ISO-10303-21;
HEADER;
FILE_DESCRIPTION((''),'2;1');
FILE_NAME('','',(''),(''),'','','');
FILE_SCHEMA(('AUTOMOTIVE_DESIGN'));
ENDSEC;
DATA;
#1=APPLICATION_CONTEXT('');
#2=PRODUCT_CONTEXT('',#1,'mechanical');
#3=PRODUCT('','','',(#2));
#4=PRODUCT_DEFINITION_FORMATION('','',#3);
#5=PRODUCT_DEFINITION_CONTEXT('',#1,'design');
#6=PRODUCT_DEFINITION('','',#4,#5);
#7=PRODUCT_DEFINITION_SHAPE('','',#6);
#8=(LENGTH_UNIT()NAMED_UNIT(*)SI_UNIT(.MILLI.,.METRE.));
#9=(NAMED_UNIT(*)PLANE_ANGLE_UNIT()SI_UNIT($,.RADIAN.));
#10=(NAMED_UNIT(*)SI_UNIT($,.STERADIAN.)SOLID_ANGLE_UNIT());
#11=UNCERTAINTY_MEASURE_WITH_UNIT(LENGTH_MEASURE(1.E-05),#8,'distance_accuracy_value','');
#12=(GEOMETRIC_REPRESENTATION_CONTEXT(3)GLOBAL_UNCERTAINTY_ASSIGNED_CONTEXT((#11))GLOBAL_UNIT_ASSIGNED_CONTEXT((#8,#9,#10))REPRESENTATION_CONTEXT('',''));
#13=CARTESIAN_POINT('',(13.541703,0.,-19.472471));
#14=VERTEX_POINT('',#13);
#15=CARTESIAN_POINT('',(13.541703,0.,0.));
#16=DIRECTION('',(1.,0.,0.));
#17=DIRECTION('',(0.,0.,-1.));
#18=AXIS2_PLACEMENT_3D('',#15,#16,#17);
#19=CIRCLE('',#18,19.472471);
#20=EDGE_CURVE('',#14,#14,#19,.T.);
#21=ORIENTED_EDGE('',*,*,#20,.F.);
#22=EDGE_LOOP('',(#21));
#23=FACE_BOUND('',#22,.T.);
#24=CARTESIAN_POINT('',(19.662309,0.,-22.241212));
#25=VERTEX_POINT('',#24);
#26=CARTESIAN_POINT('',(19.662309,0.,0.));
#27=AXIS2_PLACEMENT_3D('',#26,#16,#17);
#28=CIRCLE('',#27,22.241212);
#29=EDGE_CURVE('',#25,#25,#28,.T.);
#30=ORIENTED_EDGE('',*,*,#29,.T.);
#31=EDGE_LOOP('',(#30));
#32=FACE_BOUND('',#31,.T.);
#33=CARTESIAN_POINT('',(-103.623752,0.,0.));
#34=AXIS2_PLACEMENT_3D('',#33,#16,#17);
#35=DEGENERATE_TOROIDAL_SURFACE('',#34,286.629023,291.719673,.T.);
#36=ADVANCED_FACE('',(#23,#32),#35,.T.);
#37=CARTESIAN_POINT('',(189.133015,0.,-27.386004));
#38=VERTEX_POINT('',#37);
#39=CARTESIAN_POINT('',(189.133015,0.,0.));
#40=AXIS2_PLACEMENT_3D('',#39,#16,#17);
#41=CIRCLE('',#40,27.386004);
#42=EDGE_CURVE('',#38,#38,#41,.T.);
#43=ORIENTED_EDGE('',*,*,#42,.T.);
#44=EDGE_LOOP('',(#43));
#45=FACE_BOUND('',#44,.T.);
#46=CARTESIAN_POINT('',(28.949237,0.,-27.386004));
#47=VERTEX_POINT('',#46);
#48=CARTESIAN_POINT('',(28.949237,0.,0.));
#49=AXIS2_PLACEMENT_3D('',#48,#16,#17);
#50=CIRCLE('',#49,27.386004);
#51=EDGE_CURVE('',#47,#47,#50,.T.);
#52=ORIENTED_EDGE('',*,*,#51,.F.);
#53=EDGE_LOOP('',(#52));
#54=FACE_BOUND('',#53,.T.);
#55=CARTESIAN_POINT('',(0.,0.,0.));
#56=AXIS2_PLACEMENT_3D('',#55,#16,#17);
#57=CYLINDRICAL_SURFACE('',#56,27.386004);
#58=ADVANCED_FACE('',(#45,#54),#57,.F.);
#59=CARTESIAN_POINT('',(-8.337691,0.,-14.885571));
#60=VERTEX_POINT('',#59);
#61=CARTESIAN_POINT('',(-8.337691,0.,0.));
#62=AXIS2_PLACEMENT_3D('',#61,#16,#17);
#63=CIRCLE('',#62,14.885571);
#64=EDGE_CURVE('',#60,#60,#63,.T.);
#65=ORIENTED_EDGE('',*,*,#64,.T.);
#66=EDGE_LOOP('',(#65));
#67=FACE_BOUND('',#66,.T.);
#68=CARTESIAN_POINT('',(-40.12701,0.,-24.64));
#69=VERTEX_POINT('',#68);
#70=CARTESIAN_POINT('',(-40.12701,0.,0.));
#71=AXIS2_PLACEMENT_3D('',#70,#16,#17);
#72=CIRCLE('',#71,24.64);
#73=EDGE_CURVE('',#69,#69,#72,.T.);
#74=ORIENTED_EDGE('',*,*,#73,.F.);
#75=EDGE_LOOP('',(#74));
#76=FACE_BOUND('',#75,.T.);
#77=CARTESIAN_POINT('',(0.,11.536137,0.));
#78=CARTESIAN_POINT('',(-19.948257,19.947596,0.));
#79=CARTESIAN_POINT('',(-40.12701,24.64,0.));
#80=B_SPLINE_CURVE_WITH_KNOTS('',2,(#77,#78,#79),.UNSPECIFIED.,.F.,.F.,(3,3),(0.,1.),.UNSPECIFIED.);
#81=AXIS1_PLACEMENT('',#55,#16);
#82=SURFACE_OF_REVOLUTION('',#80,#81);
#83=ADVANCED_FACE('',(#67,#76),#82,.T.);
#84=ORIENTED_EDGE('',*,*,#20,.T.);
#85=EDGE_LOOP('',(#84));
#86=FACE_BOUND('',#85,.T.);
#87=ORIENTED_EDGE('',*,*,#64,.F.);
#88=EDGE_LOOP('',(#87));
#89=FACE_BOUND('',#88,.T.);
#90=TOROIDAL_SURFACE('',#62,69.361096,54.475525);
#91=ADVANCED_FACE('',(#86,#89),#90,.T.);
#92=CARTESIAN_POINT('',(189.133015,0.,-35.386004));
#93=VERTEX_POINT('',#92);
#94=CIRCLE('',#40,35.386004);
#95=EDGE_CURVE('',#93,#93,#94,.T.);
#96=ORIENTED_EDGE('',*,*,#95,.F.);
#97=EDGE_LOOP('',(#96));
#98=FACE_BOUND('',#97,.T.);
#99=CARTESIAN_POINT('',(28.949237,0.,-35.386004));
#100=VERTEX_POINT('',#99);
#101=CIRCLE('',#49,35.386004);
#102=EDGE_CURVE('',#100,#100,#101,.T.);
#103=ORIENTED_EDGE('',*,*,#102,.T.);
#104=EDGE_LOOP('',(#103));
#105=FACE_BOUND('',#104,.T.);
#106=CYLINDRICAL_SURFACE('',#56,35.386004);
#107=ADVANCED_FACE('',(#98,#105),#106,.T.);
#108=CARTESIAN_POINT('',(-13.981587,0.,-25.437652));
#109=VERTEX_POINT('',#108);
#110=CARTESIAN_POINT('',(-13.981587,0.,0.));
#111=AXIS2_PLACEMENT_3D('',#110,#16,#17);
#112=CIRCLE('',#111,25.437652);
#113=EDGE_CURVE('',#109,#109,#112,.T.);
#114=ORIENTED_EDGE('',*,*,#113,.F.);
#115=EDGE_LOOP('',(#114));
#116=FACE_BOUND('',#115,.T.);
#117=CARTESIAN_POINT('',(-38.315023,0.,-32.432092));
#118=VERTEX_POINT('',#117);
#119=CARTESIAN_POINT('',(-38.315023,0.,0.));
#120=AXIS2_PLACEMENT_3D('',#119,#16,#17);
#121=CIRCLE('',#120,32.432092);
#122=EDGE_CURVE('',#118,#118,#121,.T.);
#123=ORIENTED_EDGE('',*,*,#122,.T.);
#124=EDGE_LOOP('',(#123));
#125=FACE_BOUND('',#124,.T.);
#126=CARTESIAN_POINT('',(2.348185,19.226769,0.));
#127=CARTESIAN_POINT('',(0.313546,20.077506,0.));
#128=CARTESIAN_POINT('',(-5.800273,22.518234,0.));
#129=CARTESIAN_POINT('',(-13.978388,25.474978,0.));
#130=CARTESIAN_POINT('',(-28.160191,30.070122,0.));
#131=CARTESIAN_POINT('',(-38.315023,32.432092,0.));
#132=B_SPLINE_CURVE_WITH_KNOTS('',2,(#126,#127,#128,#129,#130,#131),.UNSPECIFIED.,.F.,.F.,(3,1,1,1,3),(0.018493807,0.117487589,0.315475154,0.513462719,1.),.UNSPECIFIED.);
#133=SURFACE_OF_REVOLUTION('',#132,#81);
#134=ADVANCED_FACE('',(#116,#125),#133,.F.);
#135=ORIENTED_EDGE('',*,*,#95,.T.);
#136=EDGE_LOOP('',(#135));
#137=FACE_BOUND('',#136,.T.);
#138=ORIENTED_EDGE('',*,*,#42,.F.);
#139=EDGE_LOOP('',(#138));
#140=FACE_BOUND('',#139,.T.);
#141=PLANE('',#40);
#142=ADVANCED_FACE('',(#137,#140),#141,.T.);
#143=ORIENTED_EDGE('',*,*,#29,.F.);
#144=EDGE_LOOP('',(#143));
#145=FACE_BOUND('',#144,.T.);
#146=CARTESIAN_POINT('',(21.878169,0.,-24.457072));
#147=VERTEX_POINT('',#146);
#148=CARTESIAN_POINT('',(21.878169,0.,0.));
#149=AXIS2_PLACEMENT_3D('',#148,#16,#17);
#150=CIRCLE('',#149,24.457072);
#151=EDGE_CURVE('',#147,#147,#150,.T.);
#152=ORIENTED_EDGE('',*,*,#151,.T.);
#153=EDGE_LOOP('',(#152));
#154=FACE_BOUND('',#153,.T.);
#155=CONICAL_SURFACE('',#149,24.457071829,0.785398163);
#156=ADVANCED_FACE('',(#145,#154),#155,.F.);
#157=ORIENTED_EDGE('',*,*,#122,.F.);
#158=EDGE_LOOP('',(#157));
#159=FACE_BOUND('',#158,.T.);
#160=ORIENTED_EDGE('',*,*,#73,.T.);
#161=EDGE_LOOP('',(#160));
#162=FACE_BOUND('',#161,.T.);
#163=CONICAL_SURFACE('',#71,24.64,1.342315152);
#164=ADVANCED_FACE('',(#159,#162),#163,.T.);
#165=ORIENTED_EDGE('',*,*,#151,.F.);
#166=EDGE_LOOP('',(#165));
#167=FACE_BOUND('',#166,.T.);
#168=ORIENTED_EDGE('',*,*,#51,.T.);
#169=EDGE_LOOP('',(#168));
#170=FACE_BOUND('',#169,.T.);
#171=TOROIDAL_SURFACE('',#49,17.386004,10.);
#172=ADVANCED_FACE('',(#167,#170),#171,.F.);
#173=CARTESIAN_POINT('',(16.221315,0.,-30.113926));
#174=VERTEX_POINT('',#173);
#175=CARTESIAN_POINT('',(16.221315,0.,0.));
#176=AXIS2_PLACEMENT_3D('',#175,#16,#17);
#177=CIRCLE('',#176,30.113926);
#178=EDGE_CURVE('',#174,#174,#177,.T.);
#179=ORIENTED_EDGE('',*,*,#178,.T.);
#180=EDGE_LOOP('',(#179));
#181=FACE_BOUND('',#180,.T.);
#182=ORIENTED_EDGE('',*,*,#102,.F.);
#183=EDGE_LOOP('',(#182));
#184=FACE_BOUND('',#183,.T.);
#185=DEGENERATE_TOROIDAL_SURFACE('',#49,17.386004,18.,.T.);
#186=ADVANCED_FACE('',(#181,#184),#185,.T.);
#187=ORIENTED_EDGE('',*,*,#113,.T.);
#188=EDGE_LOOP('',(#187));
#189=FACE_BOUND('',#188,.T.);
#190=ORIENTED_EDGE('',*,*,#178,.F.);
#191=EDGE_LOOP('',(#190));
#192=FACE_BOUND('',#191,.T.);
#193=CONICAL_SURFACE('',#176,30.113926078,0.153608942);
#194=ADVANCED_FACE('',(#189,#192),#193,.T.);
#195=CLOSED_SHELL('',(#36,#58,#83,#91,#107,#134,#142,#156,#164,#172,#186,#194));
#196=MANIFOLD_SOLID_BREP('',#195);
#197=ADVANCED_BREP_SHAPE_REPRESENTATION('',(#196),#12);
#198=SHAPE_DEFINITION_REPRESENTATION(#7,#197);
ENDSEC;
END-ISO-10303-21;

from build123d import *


with BuildPart() as part:
    # Sketch1 → Revolve1 (revolve)
    with BuildSketch(Plane.XY, mode=Mode.PRIVATE) as revolve1_sk:
        with BuildLine():
            Line((28.949236933, 27.386004017), (189.133015331, 27.386004017))
            Line((189.133015331, 27.386004017), (189.133015331, 35.386004017))
            Line((189.133015331, 35.386004017), (28.949236933, 35.386004017))
            ThreePointArc((28.949236933, 35.386004017), (22.060935151, 34.015835602), (16.221314872, 30.113926078))
            Line((16.221314872, 30.113926078), (7.884849119, 21.777460326))
            ThreePointArc((7.884849119, 21.777460326), (5.344435892, 20.007381854), (2.348184674, 19.226769399))
            add(Edge.make_bspline(
                [(2.348184674, 19.226769399), (0.313545637, 20.077506038), (-5.800272608, 22.518234312), (-11.933859147, 24.735791909), (-13.981586932, 25.43765231)],
                knots=[0.018493807, 0.018493807, 0.018493807, 0.117487589, 0.315475154, 0.414468937, 0.414468937, 0.414468937], degree=2))
            add(Edge.make_bspline(
                [(-13.981586932, 25.43765231), (-16.029314717, 26.139512711), (-28.160190771, 30.070121673), (-38.315022829, 32.432092239)],
                knots=[0.414468937, 0.414468937, 0.414468937, 0.513462719, 1, 1, 1], degree=2))
            Line((-38.315022829, 32.432092239), (-40.127010283, 24.64))
            add(Edge.make_bspline(
                [(-8.337690555, 14.885570905), (-24.160193055, 20.927046968), (-40.127010283, 24.64)],
                knots=[0.208731219, 0.208731219, 0.208731219, 1, 1, 1], degree=2))
            ThreePointArc((-8.337690555, 14.885570905), (2.839826237, 16.044626201), (13.541703369, 19.472470519))
            ThreePointArc((13.541703369, 19.472470519), (16.609976492, 20.839222591), (19.662309445, 22.241212152))
            Line((19.662309445, 22.241212152), (21.878169121, 24.457071829))
            ThreePointArc((21.878169121, 24.457071829), (25.12240261, 26.624799342), (28.949236933, 27.386004017))
        make_face()
        with BuildLine():
            Line((7.884849119, 21.777460326), (16.221314872, 30.113926078))
            Line((16.221314872, 30.113926078), (-13.981586932, 25.43765231))
            add(Edge.make_bspline(
                [(2.348184674, 19.226769399), (0.313545637, 20.077506038), (-5.800272608, 22.518234312), (-11.933859147, 24.735791909), (-13.981586932, 25.43765231)],
                knots=[0.018493807, 0.018493807, 0.018493807, 0.117487589, 0.315475154, 0.414468937, 0.414468937, 0.414468937], degree=2))
            ThreePointArc((2.348184674, 19.226769399), (5.344435892, 20.007381854), (7.884849119, 21.777460326))
        make_face()
    revolve(revolve1_sk.sketch.rotate(Axis((0, 0, 0), (-1, 0, 0)), 90), axis=Axis((0, 0, 0), (-1, 0, 0)))


solid = part.part
